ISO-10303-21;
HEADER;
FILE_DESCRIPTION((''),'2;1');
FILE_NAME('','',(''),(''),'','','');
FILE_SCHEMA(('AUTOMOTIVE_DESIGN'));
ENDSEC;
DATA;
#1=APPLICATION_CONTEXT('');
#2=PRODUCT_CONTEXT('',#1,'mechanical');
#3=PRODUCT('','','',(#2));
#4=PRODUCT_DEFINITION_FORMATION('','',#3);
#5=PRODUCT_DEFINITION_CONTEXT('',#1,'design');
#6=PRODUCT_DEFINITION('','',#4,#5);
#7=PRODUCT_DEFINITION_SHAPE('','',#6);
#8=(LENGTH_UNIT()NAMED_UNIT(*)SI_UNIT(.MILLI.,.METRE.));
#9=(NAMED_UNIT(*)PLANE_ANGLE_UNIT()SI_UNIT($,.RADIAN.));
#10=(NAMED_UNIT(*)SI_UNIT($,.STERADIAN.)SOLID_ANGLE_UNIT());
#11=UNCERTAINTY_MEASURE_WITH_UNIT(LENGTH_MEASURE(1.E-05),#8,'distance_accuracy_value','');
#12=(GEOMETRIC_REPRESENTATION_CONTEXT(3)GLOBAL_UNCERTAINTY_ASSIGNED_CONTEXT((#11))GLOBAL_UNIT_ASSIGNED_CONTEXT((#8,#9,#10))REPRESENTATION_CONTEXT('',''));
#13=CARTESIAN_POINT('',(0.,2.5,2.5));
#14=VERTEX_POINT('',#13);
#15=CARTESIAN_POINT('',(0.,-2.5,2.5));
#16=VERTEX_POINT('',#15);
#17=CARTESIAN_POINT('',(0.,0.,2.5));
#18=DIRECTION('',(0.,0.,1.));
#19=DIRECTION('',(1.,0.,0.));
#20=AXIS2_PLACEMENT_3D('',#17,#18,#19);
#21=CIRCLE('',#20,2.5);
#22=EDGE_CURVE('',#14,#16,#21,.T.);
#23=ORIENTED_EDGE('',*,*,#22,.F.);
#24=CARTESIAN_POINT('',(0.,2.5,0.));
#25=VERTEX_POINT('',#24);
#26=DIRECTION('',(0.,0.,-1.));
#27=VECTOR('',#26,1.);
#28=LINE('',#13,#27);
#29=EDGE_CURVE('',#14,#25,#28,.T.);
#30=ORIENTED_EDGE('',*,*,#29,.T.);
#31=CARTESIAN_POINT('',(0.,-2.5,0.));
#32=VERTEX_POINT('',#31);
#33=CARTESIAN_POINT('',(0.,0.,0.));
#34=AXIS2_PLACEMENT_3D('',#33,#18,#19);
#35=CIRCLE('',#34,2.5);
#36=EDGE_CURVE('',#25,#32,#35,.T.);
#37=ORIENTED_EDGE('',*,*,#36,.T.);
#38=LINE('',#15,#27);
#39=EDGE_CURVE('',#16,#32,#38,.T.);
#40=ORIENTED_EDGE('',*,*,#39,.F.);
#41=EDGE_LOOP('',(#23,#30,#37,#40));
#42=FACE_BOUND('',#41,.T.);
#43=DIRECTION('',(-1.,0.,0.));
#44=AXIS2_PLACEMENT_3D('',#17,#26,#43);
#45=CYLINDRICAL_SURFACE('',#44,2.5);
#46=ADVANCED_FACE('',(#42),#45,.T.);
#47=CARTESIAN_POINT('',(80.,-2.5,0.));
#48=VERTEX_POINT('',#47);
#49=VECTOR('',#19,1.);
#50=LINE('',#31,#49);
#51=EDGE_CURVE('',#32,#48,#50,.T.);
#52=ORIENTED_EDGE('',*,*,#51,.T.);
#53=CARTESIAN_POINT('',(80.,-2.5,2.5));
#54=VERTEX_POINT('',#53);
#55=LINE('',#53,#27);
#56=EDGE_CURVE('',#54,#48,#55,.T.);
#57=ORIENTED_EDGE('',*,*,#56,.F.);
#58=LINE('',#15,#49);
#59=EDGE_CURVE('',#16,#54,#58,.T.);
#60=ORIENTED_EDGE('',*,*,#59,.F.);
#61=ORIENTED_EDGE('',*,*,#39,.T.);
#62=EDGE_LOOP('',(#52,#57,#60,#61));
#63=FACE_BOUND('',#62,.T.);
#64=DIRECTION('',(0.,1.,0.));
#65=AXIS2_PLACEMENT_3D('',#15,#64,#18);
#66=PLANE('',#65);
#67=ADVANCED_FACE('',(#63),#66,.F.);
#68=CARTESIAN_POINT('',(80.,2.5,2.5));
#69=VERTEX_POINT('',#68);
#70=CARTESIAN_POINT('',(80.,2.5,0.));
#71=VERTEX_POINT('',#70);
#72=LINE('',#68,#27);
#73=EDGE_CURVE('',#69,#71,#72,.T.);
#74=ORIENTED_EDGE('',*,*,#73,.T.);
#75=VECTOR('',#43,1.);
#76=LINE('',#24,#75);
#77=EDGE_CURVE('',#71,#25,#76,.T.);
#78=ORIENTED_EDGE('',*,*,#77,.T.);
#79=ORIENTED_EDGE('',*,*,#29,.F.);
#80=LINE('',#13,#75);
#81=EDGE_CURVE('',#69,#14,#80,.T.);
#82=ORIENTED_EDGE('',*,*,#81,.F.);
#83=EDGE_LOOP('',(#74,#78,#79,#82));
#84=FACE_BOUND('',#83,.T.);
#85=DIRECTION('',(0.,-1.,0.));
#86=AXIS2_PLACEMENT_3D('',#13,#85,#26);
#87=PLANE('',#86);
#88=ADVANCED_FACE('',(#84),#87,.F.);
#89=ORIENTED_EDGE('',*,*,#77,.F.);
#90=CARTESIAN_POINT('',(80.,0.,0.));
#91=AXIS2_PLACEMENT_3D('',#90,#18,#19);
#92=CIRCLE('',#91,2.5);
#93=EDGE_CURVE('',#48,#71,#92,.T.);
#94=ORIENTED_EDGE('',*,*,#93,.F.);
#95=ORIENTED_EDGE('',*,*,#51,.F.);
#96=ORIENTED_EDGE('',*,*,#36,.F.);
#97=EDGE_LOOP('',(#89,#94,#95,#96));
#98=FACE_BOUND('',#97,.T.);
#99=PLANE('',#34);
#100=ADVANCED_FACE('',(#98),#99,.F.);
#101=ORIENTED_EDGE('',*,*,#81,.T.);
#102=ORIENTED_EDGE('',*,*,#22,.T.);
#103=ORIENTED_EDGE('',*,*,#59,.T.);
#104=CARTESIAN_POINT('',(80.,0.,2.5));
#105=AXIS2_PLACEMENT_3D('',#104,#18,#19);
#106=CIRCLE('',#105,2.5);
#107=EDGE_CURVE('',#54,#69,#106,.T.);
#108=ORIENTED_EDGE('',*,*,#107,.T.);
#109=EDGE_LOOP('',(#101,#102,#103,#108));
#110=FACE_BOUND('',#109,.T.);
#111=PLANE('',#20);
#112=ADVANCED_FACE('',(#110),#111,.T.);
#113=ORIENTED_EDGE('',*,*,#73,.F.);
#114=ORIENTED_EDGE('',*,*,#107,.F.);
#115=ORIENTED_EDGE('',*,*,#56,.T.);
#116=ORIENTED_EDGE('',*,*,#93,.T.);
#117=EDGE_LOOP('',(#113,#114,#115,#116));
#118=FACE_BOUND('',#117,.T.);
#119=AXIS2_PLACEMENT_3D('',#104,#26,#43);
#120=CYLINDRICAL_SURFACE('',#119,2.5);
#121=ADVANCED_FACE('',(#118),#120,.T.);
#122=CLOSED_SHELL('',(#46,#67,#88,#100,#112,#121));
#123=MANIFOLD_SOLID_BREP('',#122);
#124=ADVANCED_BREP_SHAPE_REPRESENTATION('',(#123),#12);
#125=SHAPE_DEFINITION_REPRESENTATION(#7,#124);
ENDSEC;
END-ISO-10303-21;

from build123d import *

# Parameters (mm, degrees)
BOSS_EXTRUDE1_DEPTH = 2.5


with BuildPart() as part:
    # Sketch1 → Boss-Extrude1 (new body)
    with BuildSketch(Plane.XY):
        with BuildLine():
            Line((0, 2.5), (80, 2.5))
            ThreePointArc((80, 2.5), (82.5, 0), (80, -2.5))
            Line((80, -2.5), (0, -2.5))
            ThreePointArc((0, -2.5), (-2.5, 0), (0, 2.5))
        make_face()
    extrude(amount=BOSS_EXTRUDE1_DEPTH)


solid = part.part
